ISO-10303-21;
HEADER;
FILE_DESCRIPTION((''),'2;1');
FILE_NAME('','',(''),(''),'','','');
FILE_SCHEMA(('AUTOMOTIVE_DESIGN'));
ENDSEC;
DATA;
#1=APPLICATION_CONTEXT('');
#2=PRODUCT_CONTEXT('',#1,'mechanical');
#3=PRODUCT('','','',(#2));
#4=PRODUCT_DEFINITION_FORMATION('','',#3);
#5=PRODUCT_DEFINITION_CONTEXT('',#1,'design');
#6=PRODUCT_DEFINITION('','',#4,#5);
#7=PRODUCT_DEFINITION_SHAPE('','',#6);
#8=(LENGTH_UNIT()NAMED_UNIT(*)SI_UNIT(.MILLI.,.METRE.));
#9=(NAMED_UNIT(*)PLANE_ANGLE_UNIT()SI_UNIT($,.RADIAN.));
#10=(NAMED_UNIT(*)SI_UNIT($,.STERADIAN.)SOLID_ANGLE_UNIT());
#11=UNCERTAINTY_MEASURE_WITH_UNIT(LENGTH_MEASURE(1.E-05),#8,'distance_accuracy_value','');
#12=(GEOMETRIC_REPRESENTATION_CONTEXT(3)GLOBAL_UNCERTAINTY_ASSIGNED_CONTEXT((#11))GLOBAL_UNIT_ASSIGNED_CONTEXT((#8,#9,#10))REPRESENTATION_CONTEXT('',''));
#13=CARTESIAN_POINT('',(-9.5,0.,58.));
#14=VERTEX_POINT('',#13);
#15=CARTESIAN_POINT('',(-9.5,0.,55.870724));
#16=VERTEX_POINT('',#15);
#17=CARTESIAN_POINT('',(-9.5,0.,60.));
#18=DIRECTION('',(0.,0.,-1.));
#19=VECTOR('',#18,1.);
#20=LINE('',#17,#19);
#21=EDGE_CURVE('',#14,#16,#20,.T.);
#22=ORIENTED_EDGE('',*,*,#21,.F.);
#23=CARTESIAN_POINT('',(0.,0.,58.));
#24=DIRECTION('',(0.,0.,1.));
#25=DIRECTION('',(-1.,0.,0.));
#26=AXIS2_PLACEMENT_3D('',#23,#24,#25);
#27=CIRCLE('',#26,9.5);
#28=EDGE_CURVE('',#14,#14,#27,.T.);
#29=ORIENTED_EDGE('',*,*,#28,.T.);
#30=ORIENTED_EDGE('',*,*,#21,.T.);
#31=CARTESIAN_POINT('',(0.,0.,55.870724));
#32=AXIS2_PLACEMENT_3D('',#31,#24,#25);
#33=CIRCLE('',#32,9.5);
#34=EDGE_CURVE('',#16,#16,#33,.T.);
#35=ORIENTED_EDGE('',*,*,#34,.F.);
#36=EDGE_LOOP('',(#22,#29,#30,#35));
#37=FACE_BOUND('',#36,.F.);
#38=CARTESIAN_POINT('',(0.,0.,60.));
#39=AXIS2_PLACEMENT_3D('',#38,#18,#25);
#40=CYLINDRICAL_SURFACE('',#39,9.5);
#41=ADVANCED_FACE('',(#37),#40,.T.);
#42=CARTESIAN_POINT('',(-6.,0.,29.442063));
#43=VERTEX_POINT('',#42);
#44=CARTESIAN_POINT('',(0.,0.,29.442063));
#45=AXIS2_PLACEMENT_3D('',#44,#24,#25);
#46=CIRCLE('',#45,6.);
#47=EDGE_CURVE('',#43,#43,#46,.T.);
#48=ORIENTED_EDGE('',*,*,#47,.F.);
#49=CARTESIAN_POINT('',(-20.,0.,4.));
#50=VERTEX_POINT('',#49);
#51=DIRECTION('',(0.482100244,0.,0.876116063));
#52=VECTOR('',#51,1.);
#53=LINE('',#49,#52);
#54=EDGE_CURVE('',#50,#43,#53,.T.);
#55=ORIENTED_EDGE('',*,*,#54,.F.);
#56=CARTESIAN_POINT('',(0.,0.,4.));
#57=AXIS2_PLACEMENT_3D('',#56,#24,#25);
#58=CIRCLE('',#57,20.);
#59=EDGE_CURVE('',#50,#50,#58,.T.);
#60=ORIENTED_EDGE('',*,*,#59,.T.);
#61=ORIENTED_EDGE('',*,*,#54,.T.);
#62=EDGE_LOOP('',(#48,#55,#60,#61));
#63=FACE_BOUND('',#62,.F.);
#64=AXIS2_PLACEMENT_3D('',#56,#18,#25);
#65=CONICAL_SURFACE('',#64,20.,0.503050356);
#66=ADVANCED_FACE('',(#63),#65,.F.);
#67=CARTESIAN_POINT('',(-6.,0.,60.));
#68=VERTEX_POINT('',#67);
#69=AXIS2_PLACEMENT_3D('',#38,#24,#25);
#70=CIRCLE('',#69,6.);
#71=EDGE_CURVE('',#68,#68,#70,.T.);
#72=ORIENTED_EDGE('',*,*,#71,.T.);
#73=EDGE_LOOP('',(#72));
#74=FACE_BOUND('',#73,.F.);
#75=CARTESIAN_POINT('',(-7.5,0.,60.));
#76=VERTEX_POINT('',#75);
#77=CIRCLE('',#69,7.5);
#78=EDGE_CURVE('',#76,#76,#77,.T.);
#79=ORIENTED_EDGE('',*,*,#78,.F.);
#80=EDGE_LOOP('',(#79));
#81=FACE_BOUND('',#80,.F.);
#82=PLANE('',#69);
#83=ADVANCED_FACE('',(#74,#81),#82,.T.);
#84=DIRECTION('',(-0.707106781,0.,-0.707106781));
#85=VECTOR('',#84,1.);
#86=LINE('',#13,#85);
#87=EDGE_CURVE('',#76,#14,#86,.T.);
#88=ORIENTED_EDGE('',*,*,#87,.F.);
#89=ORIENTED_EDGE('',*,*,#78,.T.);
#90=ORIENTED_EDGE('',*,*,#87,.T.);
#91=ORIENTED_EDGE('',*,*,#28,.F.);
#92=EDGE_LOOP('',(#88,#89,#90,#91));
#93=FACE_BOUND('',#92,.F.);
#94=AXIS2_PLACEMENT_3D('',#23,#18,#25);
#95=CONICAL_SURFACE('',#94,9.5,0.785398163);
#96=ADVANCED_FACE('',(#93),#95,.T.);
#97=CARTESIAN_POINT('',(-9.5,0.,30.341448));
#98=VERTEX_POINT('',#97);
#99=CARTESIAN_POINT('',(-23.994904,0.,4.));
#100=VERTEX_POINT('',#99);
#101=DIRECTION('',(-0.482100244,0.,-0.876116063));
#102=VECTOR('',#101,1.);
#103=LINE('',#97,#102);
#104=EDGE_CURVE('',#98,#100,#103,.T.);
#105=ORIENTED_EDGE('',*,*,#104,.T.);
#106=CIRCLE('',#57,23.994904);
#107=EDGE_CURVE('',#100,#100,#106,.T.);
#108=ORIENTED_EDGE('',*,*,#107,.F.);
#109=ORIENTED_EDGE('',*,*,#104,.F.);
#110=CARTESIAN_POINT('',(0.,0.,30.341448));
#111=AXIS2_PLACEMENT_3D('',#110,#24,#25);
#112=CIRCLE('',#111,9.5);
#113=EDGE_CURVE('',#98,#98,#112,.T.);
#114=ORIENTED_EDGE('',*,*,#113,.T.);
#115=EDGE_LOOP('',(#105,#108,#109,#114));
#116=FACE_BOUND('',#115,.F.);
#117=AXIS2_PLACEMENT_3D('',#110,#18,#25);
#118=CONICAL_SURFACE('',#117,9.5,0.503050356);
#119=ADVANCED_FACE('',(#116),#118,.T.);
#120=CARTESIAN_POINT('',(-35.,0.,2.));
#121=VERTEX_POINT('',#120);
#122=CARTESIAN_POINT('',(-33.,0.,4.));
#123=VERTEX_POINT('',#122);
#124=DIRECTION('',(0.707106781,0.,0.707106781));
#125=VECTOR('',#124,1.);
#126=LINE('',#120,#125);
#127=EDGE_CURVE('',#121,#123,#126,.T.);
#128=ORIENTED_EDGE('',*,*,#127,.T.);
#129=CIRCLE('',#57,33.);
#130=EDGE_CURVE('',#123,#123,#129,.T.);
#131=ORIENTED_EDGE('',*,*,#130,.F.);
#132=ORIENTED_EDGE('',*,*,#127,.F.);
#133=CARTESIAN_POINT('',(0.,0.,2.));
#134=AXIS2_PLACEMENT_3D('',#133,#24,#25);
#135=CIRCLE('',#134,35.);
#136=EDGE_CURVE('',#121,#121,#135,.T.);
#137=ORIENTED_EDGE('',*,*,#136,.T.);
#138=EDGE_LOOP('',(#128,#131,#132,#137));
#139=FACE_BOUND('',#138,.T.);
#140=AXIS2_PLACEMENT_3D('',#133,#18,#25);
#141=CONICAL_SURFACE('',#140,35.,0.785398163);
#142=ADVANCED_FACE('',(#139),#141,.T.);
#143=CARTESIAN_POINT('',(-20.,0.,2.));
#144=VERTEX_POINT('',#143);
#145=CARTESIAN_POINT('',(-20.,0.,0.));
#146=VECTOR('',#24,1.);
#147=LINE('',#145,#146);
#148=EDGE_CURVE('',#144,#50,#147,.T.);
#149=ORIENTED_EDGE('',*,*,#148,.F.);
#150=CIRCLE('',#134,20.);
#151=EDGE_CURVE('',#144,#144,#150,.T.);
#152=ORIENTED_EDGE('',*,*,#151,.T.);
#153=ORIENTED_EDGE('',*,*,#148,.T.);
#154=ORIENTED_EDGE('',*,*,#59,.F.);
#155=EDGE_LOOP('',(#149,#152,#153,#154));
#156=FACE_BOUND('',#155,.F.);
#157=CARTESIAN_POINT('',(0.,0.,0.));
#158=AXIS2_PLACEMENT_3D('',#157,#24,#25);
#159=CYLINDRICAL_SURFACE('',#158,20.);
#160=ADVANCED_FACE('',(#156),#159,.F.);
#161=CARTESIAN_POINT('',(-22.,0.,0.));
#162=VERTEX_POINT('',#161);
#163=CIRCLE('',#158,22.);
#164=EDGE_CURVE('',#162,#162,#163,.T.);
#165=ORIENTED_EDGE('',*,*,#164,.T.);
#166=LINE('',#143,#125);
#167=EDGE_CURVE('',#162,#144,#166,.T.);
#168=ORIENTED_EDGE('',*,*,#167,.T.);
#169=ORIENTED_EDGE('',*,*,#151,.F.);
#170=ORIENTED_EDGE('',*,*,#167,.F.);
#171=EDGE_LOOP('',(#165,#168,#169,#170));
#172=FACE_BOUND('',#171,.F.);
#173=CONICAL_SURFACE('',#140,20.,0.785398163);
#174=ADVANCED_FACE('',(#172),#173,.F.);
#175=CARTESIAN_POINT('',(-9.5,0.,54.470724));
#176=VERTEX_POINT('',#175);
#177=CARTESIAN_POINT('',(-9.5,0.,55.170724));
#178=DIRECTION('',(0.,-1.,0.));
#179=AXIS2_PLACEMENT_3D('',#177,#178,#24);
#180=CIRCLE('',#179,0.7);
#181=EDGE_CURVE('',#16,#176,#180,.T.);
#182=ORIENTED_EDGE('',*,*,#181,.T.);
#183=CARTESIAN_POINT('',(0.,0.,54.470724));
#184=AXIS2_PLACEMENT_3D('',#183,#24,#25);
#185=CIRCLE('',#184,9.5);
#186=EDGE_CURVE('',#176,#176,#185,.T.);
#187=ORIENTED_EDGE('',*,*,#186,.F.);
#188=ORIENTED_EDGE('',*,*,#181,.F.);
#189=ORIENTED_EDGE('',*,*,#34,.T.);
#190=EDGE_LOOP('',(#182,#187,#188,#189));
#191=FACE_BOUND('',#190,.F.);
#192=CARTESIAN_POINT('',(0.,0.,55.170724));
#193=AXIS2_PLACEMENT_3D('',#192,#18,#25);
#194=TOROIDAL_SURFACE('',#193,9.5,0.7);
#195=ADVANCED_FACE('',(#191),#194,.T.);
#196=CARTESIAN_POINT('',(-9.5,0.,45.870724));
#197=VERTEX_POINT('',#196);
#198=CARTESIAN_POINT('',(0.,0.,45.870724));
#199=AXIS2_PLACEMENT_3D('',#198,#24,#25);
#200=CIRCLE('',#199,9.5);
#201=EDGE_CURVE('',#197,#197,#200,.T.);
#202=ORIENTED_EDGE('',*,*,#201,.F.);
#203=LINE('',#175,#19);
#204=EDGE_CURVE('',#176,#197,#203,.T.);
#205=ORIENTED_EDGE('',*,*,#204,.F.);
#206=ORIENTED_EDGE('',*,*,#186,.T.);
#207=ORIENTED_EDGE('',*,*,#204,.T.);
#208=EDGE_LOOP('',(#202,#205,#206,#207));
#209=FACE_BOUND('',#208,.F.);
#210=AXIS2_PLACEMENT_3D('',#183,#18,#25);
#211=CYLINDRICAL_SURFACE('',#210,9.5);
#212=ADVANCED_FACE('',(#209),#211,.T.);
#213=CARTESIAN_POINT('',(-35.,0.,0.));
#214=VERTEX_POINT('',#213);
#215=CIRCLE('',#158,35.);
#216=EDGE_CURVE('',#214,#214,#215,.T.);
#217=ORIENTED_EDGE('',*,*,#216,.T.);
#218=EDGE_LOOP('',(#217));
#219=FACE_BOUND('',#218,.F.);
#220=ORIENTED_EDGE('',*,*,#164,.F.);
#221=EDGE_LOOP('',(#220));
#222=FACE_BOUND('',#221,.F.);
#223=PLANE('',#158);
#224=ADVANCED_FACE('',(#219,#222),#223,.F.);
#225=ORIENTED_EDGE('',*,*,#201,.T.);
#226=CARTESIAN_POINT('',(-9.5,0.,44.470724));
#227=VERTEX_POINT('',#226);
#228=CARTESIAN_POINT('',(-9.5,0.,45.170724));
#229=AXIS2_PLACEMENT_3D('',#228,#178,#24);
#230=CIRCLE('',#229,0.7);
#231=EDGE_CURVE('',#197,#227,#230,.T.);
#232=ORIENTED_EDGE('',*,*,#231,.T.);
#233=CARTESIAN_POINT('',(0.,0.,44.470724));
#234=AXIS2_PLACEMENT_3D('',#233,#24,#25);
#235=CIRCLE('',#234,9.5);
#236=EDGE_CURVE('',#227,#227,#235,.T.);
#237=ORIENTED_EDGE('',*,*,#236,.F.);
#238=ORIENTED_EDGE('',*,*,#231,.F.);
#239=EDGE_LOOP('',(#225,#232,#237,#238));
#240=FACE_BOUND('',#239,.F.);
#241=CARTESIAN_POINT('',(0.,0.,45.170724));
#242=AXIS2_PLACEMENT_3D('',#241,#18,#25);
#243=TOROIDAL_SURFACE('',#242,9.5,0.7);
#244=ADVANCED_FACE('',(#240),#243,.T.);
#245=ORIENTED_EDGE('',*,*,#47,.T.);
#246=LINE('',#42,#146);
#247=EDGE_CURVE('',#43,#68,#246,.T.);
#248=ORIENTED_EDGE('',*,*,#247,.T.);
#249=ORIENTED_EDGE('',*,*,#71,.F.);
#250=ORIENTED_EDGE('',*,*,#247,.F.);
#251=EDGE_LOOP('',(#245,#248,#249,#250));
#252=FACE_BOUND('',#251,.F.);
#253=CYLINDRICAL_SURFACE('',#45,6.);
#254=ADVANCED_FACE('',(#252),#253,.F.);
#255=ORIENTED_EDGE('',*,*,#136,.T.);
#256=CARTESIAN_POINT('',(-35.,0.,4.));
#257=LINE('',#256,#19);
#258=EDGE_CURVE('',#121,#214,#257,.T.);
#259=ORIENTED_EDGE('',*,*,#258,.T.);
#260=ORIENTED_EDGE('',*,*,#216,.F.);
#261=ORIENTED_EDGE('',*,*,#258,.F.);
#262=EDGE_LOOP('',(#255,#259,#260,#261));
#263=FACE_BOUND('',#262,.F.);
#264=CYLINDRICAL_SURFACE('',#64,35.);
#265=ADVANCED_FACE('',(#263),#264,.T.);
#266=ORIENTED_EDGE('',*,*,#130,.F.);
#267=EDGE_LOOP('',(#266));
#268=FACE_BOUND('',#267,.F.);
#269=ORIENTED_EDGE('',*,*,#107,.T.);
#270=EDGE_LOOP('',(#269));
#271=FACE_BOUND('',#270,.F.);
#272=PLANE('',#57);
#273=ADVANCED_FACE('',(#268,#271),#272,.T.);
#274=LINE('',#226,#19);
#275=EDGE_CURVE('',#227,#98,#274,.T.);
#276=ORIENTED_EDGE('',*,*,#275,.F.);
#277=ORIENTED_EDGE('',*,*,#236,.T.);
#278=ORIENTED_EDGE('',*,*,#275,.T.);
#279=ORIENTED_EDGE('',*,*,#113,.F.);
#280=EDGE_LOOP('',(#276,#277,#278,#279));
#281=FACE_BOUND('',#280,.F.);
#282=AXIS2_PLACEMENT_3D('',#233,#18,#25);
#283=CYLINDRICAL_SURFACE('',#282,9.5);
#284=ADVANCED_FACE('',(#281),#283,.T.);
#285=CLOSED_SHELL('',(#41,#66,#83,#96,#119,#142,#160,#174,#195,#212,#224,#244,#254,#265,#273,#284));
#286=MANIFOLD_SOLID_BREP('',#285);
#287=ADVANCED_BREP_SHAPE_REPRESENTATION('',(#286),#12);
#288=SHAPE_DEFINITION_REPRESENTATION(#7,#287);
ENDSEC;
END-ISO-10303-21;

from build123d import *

# Parameters (mm, degrees)
F2_SIZE = 2


with BuildPart() as f1:
    # F0 (on Front) → F1 (revolve)
    with BuildSketch(Plane.XZ):
        with BuildLine():
            Line((-35, 4), (-35, 0))
            Line((-35, 0), (-20, 0))
            Line((-20, 0), (-20, 4))
            Line((-20, 4), (-6, 29.4420632164))
            Line((-6, 29.4420632164), (-6, 60))
            Line((-6, 60), (-9.5, 60))
            Line((-9.5, 60), (-9.5, 55.8707241636))
            ThreePointArc((-9.5, 55.8707241636), (-9.0050252532, 55.6656989104), (-8.8, 55.1707241636))
            ThreePointArc((-8.8, 55.1707241636), (-9.0050252532, 54.6757494168), (-9.5, 54.4707241636))
            Line((-9.5, 54.4707241636), (-9.5, 45.8707241636))
            ThreePointArc((-9.5, 45.8707241636), (-9.0050252532, 45.6656989104), (-8.8, 45.1707241636))
            ThreePointArc((-8.8, 45.1707241636), (-9.0050252532, 44.6757494168), (-9.5, 44.4707241636))
            Line((-9.5, 44.4707241636), (-9.5, 30.3414483272))
            Line((-9.5, 30.3414483272), (-23.9949044991, 4))
            Line((-23.9949044991, 4), (-35, 4))
        make_face()
        with BuildLine():
            ThreePointArc((-9.5, 45.8707241636), (-10.2, 45.1707241636), (-9.5, 44.4707241636))
            Line((-9.5, 44.4707241636), (-9.5, 45.8707241636))
        make_face()
        with BuildLine():
            Line((-9.5, 45.8707241636), (-9.5, 44.4707241636))
            ThreePointArc((-9.5, 44.4707241636), (-9.0050252532, 44.6757494168), (-8.8, 45.1707241636))
            ThreePointArc((-8.8, 45.1707241636), (-9.0050252532, 45.6656989104), (-9.5, 45.8707241636))
        make_face()
        with BuildLine():
            ThreePointArc((-9.5, 55.8707241636), (-10.2, 55.1707241636), (-9.5, 54.4707241636))
            Line((-9.5, 54.4707241636), (-9.5, 55.8707241636))
        make_face()
        with BuildLine():
            Line((-9.5, 55.8707241636), (-9.5, 54.4707241636))
            ThreePointArc((-9.5, 54.4707241636), (-9.0050252532, 54.6757494168), (-8.8, 55.1707241636))
            ThreePointArc((-8.8, 55.1707241636), (-9.0050252532, 55.6656989104), (-9.5, 55.8707241636))
        make_face()
    revolve(axis=Axis((0, 0, 22.4953535944), (0, 0, 1)))

    # F2
    f2_edges = [f1.edges().sort_by_distance(p)[0] for p in [
        (35, 0, 4),
        (9.5, 0, 60),
        (20, 0, 0),
    ]]
    chamfer(f2_edges, length=F2_SIZE)


solid = f1.part
